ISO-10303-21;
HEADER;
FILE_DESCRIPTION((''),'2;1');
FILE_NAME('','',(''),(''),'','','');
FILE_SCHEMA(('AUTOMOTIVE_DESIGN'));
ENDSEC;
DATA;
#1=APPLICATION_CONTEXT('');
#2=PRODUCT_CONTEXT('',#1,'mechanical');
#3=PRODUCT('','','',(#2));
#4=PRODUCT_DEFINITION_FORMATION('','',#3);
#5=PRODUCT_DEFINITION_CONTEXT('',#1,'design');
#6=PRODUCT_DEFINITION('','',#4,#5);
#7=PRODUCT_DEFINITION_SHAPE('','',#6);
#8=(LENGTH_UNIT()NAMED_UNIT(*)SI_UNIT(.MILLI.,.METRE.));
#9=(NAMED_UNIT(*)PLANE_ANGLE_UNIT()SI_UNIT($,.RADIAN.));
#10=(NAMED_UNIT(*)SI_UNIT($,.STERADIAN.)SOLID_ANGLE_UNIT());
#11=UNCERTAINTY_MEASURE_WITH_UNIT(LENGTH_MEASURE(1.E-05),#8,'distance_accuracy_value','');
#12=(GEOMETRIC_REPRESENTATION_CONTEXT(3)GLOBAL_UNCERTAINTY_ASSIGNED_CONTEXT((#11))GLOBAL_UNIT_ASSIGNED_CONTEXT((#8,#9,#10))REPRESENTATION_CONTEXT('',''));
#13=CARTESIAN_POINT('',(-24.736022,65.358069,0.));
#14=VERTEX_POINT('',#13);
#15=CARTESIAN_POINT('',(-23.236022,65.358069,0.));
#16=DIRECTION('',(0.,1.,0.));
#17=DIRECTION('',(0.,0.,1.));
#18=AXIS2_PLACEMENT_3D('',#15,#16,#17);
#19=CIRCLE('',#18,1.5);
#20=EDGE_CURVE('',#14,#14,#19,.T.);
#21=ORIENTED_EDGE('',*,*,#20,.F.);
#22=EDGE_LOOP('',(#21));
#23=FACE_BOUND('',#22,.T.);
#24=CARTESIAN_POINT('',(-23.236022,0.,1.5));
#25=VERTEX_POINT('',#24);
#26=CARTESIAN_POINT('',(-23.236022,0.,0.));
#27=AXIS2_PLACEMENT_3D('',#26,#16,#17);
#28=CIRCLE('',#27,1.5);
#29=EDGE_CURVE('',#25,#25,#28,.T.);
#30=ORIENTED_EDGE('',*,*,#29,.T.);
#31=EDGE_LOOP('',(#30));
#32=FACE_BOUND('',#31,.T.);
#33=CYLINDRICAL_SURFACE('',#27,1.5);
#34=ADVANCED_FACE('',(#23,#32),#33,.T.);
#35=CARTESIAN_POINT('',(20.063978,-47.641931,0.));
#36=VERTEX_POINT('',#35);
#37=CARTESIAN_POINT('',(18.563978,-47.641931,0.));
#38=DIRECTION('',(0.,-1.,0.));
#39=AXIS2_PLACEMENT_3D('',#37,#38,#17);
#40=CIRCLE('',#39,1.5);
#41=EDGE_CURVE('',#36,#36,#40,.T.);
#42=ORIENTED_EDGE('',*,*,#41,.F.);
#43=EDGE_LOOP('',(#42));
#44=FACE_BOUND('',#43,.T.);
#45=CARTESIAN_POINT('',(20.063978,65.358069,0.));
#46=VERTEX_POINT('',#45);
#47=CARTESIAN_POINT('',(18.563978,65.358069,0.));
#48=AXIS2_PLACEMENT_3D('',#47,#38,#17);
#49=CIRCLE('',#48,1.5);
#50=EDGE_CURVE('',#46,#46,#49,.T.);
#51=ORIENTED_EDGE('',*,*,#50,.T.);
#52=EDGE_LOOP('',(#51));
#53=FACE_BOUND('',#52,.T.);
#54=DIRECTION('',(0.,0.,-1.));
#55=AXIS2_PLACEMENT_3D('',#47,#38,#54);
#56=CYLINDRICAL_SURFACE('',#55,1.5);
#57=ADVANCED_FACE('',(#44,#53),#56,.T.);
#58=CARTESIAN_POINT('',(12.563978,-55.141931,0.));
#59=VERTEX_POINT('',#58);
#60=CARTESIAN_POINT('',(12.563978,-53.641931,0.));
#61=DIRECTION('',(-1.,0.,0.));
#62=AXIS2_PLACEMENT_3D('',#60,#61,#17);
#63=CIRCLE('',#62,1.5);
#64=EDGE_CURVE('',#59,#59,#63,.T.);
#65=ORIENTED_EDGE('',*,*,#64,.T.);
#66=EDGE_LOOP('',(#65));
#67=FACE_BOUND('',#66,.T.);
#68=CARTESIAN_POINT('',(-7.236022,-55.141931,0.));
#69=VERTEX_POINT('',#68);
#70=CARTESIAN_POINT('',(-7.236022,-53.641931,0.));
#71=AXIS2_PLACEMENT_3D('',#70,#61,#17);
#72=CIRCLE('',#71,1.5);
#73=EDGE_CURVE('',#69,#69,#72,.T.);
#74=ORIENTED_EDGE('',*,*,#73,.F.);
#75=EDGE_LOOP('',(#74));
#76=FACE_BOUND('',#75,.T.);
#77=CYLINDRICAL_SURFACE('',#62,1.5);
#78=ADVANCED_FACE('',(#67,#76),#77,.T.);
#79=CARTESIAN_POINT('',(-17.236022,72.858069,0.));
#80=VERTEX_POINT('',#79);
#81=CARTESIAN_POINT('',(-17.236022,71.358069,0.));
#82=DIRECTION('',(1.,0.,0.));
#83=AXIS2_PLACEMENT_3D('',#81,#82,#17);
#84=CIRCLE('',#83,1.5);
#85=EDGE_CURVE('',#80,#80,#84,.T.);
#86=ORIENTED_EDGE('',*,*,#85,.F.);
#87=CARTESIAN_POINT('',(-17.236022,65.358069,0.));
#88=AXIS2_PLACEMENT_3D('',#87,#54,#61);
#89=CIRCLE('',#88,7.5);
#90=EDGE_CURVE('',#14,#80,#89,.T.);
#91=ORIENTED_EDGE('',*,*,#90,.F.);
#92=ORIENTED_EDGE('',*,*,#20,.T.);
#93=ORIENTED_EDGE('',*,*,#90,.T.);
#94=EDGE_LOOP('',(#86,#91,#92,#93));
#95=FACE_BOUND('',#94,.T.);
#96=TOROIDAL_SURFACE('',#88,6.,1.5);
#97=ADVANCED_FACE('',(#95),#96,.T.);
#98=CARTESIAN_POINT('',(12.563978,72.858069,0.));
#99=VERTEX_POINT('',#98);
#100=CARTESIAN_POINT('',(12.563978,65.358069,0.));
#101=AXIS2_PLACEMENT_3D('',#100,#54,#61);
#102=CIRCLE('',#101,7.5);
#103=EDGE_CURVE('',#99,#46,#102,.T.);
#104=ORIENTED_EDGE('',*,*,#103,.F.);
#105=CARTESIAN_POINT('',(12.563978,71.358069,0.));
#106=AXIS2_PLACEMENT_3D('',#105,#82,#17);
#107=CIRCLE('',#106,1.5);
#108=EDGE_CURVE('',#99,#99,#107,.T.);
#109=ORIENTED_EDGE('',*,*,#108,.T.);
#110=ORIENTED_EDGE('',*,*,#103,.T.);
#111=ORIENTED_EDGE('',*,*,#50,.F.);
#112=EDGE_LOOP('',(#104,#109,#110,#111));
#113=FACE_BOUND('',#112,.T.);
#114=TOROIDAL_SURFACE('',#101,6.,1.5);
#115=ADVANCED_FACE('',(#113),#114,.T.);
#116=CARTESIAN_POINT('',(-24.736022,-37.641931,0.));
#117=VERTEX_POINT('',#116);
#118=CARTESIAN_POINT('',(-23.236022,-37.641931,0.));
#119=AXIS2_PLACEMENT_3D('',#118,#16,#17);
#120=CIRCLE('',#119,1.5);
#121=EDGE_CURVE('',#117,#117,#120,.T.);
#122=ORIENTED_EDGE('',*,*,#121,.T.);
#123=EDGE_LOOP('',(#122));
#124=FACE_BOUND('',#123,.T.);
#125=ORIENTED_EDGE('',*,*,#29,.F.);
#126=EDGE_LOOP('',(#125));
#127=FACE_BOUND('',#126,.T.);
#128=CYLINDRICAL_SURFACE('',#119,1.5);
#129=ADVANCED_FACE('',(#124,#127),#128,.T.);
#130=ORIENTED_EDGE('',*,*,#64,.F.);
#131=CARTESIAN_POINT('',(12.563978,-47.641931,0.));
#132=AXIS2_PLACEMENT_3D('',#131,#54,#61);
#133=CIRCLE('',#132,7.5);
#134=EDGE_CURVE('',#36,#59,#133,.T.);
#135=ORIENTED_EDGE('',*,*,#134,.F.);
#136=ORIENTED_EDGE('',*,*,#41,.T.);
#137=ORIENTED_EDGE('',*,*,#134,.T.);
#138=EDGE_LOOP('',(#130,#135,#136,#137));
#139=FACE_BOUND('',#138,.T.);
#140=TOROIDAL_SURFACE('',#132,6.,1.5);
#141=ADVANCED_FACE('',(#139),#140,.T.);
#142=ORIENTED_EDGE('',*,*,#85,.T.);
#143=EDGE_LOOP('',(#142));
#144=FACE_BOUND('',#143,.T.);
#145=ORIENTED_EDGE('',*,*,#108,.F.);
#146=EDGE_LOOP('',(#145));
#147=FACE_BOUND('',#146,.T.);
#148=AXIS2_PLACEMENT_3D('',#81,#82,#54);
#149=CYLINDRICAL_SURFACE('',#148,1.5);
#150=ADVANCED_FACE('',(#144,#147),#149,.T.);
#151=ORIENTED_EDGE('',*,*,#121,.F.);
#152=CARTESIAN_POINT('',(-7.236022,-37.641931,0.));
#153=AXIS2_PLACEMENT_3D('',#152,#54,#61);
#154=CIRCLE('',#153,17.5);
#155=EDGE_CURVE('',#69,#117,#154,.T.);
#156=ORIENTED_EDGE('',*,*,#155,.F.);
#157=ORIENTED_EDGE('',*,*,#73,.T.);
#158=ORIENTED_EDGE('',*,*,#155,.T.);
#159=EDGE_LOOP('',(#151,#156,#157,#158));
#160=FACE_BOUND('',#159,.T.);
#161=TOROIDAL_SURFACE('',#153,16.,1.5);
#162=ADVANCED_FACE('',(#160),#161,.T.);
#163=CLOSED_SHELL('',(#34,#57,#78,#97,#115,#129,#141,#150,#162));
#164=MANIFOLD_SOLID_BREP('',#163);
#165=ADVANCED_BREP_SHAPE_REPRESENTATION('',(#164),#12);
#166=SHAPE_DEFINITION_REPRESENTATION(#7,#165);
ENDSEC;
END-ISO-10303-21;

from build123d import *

# Parameters (mm, degrees)
SKETCH5_R = 1.5


with BuildPart() as part:
    # Sweep2: sweep along a path in Sketch4
    with BuildLine(Plane.XY) as sweep2_path:
        Line((-23.236021708, 65.358068893), (-23.236021708, -37.641931107))
        ThreePointArc((-23.236021708, -37.641931107), (-18.549730207, -48.955639606), (-7.236021708, -53.641931107))
        Line((-7.236021708, -53.641931107), (12.563978292, -53.641931107))
        ThreePointArc((12.563978292, -53.641931107), (16.806618979, -51.884571794), (18.563978292, -47.641931107))
        Line((18.563978292, -47.641931107), (18.563978292, 65.358068893))
        ThreePointArc((18.563978292, 65.358068893), (16.806618979, 69.60070958), (12.563978292, 71.358068893))
        Line((12.563978292, 71.358068893), (-17.236021708, 71.358068893))
        ThreePointArc((-17.236021708, 71.358068893), (-21.478662395, 69.60070958), (-23.236021708, 65.358068893))
    # Sketch5 → Sweep2 (sweep)
    with BuildSketch(Plane(origin=(0, 0, 0), x_dir=(1, 0, 0), z_dir=(0, 1, 0))):
        with Locations((-23.236021708, 0)):
            Circle(SKETCH5_R)
    sweep(path=sweep2_path.line)


solid = part.part
